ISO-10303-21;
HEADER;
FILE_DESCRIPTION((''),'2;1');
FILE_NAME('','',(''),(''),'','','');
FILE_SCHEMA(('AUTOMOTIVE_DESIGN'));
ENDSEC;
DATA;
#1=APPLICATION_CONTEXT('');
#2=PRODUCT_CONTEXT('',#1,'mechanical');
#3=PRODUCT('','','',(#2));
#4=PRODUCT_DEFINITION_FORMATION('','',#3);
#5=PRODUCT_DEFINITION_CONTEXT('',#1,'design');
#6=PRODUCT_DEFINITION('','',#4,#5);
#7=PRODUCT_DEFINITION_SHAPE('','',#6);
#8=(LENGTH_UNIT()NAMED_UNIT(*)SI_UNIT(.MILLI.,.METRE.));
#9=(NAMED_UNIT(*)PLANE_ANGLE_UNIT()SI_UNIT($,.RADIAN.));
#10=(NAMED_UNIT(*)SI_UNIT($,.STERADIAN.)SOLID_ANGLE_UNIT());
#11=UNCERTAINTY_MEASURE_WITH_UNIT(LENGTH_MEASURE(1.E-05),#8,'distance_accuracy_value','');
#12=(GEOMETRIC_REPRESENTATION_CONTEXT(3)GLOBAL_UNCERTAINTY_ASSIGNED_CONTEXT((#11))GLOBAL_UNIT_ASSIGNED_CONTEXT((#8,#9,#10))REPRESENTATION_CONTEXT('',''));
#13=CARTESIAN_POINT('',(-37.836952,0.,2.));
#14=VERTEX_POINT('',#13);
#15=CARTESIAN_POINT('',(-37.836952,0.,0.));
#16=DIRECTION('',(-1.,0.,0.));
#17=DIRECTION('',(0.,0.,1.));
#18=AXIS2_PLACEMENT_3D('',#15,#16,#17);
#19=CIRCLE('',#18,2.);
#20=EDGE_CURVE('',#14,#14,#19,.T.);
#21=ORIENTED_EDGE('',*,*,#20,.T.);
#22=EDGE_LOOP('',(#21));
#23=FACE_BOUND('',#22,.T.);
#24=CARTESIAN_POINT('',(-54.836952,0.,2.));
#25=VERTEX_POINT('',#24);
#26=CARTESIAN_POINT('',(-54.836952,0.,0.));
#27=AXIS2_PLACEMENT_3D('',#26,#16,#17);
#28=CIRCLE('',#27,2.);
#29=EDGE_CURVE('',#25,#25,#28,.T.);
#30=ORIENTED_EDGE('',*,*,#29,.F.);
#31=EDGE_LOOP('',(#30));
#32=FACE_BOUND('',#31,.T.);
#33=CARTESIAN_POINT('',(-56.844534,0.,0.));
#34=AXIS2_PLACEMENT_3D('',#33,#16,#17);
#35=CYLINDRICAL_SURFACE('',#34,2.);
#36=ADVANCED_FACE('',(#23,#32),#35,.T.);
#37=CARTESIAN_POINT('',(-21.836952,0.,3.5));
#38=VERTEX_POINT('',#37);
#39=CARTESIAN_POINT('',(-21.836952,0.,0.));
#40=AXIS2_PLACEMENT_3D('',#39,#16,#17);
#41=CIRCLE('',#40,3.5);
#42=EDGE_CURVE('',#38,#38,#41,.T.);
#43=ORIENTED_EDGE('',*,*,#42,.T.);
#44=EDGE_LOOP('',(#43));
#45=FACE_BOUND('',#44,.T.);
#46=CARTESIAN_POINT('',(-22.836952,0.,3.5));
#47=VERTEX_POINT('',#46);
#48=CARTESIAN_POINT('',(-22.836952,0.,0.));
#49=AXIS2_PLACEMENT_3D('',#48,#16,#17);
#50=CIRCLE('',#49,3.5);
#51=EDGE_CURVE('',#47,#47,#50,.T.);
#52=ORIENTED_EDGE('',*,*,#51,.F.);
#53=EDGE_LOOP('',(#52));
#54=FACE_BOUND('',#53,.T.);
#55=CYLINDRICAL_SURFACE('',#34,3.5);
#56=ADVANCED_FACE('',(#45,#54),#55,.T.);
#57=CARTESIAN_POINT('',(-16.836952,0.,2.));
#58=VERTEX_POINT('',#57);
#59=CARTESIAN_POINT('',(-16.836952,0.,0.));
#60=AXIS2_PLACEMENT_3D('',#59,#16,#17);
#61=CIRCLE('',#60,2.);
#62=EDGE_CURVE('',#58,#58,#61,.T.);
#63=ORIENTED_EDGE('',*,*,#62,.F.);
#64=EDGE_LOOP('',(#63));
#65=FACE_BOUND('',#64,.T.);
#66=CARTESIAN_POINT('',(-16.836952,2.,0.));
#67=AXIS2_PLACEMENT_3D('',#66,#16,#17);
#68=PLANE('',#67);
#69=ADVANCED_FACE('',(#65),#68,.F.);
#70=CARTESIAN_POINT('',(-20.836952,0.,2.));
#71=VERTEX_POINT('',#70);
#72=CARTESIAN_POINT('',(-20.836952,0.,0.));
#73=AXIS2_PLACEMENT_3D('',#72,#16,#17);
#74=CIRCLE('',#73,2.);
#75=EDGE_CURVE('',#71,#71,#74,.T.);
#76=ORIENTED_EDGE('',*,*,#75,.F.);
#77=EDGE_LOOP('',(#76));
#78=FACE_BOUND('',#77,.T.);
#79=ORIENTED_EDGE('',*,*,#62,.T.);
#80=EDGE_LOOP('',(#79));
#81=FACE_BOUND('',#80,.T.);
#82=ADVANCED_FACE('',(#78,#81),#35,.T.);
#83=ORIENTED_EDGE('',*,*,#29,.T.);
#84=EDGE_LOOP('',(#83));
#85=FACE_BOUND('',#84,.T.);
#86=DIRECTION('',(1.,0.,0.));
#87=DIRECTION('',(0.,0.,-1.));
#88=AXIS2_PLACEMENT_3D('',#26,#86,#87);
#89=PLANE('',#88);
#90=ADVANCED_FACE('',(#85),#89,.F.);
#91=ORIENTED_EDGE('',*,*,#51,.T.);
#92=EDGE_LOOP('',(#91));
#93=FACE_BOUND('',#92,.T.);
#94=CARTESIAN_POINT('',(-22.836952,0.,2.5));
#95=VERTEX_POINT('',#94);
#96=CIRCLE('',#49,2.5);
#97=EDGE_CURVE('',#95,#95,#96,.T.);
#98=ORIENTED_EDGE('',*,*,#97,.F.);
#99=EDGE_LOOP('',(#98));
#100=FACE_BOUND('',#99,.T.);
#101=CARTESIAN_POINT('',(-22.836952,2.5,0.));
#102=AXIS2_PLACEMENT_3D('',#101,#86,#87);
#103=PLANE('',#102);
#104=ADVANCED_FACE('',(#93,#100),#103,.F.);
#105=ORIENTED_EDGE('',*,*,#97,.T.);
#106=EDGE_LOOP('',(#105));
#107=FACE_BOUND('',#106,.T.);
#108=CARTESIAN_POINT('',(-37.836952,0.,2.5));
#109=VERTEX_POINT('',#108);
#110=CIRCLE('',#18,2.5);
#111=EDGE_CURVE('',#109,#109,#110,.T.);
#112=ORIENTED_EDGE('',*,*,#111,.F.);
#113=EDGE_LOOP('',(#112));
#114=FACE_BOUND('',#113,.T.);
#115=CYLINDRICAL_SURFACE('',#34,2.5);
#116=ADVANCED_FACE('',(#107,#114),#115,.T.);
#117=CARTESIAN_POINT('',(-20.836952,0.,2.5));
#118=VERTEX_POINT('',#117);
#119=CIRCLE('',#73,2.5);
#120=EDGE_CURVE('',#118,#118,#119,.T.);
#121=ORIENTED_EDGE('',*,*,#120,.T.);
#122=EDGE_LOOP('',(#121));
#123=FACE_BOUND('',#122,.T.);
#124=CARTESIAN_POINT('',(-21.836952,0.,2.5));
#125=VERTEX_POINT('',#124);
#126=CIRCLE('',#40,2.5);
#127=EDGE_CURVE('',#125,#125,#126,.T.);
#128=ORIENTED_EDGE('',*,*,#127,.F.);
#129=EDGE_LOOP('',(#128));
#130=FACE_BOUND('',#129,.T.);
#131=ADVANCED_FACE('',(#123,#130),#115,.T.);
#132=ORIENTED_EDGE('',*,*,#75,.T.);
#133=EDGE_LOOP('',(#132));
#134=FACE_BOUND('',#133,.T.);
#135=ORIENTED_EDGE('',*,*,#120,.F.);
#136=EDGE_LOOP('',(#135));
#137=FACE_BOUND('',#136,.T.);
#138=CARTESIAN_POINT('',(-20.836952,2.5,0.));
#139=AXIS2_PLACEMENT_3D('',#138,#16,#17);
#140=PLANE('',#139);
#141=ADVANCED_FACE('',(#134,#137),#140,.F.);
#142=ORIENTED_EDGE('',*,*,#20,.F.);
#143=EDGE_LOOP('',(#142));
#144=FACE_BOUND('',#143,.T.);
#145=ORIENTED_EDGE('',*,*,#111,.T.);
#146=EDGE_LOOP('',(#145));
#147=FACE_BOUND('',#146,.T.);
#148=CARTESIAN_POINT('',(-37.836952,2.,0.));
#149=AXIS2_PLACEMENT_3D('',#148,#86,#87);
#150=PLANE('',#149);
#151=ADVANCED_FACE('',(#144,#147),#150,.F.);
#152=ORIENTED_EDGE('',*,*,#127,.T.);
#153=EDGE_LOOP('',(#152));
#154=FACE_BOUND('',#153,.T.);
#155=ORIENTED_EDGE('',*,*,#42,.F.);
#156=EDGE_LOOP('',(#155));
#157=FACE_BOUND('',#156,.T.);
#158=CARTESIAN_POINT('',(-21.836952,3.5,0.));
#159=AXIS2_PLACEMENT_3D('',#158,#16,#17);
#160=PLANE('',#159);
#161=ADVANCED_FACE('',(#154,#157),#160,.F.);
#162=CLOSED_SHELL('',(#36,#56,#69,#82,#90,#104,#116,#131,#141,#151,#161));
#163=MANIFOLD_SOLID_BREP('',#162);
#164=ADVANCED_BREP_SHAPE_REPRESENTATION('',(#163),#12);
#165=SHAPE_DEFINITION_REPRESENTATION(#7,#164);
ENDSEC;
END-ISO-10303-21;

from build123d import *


with BuildPart() as part:
    # 草图1 → 旋转1 (revolve)
    with BuildSketch(Plane.XY):
        Polygon((-54.836952271, 0), (-54.836952271, 2), (-37.836952271, 2), (-37.836952271, 2.5), (-22.836952271, 2.5), (-22.836952271, 3.5), (-21.836952271, 3.5), (-21.836952271, 2.5), (-20.836952271, 2.5), (-20.836952271, 2), (-16.836952271, 2), (-16.836952271, 0), align=None)
    revolve(axis=Axis((-56.844533841, 0, 0), (1, 0, 0)))


solid = part.part
